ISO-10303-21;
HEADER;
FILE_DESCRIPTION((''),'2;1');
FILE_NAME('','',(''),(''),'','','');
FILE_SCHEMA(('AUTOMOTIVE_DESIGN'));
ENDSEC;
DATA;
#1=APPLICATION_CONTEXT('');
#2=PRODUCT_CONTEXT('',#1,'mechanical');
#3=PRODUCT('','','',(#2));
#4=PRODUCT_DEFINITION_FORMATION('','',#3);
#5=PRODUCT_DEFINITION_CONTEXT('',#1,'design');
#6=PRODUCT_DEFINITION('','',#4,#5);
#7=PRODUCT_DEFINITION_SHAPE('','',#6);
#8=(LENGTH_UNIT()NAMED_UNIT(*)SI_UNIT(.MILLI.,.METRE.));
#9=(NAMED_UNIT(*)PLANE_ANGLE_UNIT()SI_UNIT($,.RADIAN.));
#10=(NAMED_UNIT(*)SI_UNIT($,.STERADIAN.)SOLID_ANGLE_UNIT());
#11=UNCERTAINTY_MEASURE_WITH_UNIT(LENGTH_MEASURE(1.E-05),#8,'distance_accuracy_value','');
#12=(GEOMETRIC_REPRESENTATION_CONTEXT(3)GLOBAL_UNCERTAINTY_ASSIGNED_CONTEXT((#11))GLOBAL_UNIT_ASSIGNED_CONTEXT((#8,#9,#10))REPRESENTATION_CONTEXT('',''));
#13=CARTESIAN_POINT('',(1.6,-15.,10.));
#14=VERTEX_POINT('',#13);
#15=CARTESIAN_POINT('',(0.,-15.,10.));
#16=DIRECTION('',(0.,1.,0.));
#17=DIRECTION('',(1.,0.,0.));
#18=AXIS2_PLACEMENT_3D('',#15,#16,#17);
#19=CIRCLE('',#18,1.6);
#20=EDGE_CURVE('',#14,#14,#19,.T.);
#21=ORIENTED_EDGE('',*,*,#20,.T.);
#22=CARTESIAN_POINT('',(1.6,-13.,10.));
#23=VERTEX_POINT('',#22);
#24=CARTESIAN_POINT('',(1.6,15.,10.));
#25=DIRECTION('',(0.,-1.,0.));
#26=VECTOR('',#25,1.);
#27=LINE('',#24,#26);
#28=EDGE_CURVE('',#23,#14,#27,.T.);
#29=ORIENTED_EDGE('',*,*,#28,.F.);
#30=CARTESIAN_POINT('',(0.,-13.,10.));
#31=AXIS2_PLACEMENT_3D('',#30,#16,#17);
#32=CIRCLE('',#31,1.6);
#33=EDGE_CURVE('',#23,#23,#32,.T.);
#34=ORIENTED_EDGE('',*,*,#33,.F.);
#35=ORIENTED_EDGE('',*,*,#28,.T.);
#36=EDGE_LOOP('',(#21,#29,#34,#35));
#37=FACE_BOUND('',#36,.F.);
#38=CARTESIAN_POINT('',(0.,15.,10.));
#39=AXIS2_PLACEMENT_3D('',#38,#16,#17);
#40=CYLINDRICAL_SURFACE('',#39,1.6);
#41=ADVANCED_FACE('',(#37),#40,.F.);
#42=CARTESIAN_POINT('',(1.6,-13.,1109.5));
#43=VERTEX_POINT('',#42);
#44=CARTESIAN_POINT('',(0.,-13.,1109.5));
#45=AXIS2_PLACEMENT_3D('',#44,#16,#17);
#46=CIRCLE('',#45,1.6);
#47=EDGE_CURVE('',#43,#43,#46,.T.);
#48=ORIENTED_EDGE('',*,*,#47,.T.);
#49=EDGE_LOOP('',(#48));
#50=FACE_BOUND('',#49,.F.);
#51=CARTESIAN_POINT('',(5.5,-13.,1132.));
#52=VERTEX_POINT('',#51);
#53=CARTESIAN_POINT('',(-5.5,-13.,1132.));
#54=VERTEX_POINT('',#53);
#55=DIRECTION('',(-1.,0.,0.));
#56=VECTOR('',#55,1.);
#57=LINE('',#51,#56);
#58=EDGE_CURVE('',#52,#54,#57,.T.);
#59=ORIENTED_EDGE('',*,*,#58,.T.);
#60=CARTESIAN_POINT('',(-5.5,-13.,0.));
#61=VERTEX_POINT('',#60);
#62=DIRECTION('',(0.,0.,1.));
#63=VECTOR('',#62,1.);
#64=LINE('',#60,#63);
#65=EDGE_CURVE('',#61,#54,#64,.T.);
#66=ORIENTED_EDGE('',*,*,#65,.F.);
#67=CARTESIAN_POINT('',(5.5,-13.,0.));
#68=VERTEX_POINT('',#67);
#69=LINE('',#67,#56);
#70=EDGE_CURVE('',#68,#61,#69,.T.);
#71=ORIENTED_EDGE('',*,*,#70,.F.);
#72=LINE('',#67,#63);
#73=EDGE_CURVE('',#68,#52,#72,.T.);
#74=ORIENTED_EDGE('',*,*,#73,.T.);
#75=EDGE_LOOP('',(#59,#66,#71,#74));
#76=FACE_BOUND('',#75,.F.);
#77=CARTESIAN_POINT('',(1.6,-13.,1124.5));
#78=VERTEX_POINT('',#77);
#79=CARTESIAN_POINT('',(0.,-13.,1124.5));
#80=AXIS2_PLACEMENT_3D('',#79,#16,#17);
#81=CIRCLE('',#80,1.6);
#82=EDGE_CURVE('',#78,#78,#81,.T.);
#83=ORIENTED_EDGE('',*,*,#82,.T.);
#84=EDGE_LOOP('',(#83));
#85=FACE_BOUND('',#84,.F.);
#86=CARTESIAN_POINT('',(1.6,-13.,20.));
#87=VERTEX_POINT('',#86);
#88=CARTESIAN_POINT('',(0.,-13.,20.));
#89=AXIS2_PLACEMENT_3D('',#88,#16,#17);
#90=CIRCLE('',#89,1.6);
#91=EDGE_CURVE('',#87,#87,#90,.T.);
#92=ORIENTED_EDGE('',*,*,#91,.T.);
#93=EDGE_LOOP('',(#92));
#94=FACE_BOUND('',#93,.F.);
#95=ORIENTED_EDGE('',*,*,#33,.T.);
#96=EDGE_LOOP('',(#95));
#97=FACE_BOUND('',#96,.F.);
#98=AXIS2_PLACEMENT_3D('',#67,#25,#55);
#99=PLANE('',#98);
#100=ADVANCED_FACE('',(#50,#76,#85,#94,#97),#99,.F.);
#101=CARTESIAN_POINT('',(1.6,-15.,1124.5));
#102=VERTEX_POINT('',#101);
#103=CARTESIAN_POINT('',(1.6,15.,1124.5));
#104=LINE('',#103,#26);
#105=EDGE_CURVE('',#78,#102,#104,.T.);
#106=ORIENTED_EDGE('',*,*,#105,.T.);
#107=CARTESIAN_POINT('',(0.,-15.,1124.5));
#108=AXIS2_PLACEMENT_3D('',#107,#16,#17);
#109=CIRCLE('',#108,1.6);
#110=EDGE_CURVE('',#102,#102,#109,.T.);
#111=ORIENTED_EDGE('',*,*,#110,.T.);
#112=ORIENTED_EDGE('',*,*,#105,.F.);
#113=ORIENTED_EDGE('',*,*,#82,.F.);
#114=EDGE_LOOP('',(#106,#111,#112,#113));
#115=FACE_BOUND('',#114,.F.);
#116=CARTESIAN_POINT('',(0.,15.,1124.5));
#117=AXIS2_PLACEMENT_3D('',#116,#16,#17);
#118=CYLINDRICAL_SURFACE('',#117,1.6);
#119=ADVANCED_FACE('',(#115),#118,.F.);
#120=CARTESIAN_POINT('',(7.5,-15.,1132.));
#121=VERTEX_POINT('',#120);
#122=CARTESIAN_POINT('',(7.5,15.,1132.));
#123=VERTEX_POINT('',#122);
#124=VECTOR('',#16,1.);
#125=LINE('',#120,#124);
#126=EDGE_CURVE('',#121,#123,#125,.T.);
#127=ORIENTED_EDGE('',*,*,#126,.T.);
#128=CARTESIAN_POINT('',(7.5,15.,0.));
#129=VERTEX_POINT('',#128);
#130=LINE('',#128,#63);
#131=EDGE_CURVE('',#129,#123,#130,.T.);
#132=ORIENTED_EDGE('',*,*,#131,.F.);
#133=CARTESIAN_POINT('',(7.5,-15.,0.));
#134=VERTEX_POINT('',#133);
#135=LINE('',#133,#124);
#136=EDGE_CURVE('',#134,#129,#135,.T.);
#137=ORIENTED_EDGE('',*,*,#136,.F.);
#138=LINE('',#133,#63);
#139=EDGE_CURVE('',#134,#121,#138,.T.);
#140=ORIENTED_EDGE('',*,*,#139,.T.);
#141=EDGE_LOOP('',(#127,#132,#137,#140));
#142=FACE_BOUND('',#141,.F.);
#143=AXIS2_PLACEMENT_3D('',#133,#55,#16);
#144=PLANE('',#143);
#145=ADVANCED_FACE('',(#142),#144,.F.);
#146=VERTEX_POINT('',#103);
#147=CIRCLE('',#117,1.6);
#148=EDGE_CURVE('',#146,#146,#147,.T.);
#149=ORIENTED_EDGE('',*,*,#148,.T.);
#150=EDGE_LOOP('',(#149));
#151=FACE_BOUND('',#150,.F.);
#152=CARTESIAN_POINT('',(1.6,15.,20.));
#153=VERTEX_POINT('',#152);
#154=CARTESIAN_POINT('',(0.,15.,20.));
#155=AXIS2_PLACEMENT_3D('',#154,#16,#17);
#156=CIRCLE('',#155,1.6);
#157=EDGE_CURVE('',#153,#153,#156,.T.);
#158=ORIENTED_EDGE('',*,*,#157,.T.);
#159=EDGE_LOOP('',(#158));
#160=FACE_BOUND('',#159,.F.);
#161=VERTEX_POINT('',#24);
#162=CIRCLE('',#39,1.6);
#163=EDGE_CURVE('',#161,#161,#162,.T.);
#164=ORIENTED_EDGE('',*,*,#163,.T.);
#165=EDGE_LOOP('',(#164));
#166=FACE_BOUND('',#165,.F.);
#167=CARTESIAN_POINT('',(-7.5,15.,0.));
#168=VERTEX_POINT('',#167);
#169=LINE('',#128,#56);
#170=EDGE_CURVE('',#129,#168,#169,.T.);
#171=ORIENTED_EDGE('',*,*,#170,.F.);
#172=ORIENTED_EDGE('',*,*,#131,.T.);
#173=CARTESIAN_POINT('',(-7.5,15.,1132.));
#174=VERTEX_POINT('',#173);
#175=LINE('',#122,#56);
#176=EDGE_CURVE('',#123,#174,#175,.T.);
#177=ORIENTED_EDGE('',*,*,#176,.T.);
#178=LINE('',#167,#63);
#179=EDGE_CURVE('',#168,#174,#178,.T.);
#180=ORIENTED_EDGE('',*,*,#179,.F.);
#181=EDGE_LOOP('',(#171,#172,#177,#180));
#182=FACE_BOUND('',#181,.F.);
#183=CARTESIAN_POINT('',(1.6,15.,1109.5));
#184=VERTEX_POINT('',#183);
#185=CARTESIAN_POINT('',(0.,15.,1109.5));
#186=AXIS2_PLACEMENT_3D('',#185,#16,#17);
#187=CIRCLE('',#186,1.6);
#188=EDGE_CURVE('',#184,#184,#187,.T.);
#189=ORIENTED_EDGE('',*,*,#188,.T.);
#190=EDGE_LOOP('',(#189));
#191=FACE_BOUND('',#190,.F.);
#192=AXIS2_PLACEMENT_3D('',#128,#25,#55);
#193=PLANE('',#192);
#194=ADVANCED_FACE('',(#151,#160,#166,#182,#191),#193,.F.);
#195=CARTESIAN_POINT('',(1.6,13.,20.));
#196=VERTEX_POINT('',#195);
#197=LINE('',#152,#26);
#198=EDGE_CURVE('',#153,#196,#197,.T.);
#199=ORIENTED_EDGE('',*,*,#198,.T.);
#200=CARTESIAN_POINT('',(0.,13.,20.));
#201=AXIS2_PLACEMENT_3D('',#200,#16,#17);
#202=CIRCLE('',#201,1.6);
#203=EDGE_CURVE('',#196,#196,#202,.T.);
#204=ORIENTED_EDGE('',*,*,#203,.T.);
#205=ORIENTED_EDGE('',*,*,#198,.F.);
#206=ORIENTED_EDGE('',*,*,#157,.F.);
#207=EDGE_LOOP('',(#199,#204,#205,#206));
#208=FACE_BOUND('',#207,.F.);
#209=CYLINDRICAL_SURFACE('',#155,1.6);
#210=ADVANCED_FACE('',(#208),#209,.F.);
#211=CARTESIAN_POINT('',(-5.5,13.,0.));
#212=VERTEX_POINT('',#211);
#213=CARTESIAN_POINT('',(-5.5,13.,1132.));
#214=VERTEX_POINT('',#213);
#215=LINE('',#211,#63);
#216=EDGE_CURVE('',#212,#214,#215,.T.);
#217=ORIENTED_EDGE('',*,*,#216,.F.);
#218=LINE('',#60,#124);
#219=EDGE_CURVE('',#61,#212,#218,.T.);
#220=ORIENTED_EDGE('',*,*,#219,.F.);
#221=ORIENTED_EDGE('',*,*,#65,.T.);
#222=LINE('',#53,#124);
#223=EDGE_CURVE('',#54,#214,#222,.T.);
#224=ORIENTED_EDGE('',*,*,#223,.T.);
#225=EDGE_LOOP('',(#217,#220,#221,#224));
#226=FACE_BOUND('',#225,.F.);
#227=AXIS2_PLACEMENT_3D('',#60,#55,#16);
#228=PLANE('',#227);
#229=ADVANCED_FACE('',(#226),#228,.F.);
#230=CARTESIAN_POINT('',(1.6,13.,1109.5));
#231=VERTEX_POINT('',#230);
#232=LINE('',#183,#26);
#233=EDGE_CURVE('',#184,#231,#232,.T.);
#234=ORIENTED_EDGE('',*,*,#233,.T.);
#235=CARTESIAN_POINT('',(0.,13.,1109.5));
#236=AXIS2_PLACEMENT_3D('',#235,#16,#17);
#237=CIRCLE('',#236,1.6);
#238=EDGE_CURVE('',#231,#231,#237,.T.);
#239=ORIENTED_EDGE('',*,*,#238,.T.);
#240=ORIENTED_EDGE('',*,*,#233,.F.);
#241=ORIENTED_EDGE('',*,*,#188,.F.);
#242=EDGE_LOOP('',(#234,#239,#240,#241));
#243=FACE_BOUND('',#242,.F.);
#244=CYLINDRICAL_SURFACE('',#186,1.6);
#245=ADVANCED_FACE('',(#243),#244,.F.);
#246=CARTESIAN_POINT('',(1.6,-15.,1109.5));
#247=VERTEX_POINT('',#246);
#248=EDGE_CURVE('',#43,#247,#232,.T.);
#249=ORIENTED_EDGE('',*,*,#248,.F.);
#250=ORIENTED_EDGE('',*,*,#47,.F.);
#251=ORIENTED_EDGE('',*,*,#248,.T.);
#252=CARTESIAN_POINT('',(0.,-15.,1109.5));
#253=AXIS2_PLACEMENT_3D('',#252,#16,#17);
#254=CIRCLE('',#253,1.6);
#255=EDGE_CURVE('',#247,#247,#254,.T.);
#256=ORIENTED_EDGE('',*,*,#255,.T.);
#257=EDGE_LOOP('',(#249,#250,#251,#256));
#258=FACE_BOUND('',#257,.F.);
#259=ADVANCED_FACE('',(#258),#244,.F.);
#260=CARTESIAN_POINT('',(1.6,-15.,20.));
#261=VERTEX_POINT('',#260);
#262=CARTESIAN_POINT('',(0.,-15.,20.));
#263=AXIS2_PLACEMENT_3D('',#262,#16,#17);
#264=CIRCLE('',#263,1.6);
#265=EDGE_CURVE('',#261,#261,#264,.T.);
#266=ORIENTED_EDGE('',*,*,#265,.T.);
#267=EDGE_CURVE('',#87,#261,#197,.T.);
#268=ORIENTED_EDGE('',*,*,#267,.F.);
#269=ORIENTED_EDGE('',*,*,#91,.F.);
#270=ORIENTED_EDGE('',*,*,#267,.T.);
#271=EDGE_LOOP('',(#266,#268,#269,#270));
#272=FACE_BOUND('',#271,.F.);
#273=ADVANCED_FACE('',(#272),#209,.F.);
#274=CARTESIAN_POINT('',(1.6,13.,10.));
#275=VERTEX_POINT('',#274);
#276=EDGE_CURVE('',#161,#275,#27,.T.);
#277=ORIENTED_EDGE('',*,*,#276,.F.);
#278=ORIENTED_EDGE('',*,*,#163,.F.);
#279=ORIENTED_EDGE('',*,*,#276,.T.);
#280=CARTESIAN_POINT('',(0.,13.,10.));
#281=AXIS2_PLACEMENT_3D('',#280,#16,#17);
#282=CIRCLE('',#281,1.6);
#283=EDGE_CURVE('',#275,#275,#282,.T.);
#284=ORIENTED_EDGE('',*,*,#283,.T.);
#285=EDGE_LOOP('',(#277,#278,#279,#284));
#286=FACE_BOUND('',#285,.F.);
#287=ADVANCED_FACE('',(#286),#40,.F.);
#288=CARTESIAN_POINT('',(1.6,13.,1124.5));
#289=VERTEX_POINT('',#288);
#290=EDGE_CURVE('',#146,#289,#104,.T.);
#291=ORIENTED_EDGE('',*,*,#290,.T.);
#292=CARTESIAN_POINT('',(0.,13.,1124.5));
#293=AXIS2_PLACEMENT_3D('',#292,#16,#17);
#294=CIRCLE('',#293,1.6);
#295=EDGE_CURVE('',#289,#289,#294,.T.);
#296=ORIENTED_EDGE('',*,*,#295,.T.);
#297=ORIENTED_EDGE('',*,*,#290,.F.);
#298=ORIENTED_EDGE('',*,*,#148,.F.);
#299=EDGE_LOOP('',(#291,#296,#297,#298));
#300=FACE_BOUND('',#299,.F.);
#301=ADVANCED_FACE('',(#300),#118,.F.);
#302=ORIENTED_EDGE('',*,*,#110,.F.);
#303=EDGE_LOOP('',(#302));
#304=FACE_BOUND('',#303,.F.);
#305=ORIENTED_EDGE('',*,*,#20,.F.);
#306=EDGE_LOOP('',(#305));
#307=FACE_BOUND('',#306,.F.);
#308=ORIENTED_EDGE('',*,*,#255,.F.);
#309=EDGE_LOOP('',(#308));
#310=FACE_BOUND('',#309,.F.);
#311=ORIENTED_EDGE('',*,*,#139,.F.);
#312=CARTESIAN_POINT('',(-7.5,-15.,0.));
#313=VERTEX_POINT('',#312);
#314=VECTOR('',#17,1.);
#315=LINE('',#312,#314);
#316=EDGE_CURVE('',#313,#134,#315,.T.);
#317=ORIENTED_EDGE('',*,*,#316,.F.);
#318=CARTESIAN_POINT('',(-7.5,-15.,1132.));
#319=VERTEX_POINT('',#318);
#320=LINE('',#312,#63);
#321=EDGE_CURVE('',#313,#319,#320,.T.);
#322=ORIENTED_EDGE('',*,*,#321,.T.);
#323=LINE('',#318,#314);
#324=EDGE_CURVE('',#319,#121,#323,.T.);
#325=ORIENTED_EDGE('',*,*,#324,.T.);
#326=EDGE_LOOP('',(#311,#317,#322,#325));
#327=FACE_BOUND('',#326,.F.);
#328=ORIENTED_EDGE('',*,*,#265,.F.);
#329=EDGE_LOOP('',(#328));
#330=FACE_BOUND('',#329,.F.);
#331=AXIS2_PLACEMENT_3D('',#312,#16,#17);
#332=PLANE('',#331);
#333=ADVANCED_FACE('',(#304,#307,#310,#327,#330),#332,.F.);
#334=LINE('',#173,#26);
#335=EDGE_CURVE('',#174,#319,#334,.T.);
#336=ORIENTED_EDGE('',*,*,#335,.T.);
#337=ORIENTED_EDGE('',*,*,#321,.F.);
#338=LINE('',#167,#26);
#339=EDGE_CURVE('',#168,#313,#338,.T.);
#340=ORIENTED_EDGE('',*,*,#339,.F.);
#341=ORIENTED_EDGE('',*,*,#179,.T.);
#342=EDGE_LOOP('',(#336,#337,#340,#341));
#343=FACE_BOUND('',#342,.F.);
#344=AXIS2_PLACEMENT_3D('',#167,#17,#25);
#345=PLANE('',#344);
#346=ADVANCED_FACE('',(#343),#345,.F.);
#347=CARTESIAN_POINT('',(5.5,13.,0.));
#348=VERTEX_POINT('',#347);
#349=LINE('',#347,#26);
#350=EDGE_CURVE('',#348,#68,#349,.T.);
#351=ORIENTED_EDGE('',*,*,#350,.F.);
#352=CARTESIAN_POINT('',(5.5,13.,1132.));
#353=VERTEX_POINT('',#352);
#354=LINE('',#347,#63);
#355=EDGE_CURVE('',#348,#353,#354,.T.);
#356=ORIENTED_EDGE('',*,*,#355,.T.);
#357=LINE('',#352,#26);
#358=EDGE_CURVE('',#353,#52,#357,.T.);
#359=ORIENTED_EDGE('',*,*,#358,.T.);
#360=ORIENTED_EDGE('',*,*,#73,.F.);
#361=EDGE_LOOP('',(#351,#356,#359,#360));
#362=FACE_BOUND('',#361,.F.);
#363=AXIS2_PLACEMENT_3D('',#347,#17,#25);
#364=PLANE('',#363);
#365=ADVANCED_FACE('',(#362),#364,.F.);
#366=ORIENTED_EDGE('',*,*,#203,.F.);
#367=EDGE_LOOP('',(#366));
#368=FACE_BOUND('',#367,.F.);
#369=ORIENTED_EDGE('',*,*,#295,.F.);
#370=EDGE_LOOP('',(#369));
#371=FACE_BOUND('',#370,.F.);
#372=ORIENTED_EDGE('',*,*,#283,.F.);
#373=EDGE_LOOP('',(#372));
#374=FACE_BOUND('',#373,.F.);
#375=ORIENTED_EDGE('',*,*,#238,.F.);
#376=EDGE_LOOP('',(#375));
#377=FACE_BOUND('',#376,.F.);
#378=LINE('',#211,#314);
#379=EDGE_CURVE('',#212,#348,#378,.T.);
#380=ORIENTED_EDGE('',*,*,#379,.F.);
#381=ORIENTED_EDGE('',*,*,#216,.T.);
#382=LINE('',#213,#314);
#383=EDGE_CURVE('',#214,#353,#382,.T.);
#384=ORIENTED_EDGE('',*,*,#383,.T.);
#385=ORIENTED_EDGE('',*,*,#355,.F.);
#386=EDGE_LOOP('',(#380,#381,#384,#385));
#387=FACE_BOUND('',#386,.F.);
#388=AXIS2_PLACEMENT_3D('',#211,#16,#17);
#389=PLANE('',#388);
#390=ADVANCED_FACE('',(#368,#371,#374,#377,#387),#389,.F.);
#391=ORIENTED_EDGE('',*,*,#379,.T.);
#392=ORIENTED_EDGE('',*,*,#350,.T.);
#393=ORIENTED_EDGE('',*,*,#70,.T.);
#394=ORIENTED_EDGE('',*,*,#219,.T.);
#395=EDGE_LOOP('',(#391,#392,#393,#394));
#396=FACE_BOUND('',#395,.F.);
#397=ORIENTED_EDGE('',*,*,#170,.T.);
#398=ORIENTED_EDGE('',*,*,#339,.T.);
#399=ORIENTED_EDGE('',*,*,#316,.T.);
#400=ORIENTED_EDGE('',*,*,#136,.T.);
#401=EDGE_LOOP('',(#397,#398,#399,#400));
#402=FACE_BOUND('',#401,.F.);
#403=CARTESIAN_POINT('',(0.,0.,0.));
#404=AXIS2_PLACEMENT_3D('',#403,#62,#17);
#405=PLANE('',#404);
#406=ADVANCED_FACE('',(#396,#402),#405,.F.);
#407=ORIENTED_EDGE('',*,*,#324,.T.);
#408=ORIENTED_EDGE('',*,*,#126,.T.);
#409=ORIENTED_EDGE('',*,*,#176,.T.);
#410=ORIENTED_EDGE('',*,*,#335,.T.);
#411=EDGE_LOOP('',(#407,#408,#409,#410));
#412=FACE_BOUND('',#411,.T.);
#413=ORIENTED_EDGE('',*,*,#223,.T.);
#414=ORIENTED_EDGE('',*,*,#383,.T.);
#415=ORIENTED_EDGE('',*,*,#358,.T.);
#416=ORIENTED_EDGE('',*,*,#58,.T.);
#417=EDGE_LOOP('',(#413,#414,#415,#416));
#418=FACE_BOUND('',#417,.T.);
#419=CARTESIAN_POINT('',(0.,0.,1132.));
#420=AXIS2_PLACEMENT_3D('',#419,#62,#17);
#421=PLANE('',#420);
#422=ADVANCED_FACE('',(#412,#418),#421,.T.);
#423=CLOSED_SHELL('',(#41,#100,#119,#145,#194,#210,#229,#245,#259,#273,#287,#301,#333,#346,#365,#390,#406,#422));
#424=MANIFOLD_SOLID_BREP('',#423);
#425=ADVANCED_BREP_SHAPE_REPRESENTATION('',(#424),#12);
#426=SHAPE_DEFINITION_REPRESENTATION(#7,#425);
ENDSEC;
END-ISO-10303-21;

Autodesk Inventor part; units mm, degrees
ref_plane "YZ Plane" through (0, 0, 0) normal (1, 0, 0) x (0, 1, 0)
ref_plane "XZ Plane" through (0, 0, 0) normal (0, 1, 0) x (-1, 0, 0)
ref_plane "XY Plane" through (0, 0, 0) normal (0, 0, 1) x (1, 0, 0)
sketch "スケッチ1" plane through (0, 0, 0) normal (0, 0, 1) x (1, 0, 0)
  line L0 (7.5, 15) -> (-7.5, 15)
  line L1 (-7.5, 15) -> (-7.5, -15)
  line L2 (-7.5, -15) -> (7.5, -15)
  line L3 (7.5, -15) -> (7.5, 15)
  line L4 (7.5, 15) -> (-7.5, -15) construction
  line L5 (-7.5, 15) -> (7.5, -15) construction
  line L6 (-5.5, 13) -> (5.5, 13)
  line L7 (5.5, 13) -> (5.5, -13)
  line L8 (5.5, -13) -> (-5.5, -13)
  line L9 (-5.5, -13) -> (-5.5, 13)
  point P0 (0, 0)
  dimension "d0" = 15
  dimension "d1" = 30
  dimension "d2" = 2
extrude "押し出し1" add sketch "スケッチ1" along normal blind 1132
sketch "スケッチ2" plane through (-7.5, 15, 1132) normal (0, 1, 0) x (1, 0, 0)
  circle A0 centre (7.5, 1122) radius 1.6
  circle A1 centre (7.5, 1112) radius 1.6
  line L0 (15, 1132) -> (0, 1132) projected
  circle A2 centre (7.5, 7.5) radius 1.6
  circle A3 centre (7.5, 22.5) radius 1.6
  line L1 (15, 0) -> (0, 0) projected
  point P0 (7.5, 1132)
  point P1 (7.5, 1132)
  point P2 (7.5, 0)
  dimension "d5" = 3.2
  dimension "d6" = 3.2
  dimension "d7" = 10
  dimension "d8" = 10
  dimension "d9" = 3.2
  dimension "d10" = 3.2
  dimension "d11" = 15
  dimension "d12" = 7.5
extrude "押し出し2" cut sketch "スケッチ2" against normal through all
properties part number "上昇機構_角柱1" material "アルミニウム 6061"
